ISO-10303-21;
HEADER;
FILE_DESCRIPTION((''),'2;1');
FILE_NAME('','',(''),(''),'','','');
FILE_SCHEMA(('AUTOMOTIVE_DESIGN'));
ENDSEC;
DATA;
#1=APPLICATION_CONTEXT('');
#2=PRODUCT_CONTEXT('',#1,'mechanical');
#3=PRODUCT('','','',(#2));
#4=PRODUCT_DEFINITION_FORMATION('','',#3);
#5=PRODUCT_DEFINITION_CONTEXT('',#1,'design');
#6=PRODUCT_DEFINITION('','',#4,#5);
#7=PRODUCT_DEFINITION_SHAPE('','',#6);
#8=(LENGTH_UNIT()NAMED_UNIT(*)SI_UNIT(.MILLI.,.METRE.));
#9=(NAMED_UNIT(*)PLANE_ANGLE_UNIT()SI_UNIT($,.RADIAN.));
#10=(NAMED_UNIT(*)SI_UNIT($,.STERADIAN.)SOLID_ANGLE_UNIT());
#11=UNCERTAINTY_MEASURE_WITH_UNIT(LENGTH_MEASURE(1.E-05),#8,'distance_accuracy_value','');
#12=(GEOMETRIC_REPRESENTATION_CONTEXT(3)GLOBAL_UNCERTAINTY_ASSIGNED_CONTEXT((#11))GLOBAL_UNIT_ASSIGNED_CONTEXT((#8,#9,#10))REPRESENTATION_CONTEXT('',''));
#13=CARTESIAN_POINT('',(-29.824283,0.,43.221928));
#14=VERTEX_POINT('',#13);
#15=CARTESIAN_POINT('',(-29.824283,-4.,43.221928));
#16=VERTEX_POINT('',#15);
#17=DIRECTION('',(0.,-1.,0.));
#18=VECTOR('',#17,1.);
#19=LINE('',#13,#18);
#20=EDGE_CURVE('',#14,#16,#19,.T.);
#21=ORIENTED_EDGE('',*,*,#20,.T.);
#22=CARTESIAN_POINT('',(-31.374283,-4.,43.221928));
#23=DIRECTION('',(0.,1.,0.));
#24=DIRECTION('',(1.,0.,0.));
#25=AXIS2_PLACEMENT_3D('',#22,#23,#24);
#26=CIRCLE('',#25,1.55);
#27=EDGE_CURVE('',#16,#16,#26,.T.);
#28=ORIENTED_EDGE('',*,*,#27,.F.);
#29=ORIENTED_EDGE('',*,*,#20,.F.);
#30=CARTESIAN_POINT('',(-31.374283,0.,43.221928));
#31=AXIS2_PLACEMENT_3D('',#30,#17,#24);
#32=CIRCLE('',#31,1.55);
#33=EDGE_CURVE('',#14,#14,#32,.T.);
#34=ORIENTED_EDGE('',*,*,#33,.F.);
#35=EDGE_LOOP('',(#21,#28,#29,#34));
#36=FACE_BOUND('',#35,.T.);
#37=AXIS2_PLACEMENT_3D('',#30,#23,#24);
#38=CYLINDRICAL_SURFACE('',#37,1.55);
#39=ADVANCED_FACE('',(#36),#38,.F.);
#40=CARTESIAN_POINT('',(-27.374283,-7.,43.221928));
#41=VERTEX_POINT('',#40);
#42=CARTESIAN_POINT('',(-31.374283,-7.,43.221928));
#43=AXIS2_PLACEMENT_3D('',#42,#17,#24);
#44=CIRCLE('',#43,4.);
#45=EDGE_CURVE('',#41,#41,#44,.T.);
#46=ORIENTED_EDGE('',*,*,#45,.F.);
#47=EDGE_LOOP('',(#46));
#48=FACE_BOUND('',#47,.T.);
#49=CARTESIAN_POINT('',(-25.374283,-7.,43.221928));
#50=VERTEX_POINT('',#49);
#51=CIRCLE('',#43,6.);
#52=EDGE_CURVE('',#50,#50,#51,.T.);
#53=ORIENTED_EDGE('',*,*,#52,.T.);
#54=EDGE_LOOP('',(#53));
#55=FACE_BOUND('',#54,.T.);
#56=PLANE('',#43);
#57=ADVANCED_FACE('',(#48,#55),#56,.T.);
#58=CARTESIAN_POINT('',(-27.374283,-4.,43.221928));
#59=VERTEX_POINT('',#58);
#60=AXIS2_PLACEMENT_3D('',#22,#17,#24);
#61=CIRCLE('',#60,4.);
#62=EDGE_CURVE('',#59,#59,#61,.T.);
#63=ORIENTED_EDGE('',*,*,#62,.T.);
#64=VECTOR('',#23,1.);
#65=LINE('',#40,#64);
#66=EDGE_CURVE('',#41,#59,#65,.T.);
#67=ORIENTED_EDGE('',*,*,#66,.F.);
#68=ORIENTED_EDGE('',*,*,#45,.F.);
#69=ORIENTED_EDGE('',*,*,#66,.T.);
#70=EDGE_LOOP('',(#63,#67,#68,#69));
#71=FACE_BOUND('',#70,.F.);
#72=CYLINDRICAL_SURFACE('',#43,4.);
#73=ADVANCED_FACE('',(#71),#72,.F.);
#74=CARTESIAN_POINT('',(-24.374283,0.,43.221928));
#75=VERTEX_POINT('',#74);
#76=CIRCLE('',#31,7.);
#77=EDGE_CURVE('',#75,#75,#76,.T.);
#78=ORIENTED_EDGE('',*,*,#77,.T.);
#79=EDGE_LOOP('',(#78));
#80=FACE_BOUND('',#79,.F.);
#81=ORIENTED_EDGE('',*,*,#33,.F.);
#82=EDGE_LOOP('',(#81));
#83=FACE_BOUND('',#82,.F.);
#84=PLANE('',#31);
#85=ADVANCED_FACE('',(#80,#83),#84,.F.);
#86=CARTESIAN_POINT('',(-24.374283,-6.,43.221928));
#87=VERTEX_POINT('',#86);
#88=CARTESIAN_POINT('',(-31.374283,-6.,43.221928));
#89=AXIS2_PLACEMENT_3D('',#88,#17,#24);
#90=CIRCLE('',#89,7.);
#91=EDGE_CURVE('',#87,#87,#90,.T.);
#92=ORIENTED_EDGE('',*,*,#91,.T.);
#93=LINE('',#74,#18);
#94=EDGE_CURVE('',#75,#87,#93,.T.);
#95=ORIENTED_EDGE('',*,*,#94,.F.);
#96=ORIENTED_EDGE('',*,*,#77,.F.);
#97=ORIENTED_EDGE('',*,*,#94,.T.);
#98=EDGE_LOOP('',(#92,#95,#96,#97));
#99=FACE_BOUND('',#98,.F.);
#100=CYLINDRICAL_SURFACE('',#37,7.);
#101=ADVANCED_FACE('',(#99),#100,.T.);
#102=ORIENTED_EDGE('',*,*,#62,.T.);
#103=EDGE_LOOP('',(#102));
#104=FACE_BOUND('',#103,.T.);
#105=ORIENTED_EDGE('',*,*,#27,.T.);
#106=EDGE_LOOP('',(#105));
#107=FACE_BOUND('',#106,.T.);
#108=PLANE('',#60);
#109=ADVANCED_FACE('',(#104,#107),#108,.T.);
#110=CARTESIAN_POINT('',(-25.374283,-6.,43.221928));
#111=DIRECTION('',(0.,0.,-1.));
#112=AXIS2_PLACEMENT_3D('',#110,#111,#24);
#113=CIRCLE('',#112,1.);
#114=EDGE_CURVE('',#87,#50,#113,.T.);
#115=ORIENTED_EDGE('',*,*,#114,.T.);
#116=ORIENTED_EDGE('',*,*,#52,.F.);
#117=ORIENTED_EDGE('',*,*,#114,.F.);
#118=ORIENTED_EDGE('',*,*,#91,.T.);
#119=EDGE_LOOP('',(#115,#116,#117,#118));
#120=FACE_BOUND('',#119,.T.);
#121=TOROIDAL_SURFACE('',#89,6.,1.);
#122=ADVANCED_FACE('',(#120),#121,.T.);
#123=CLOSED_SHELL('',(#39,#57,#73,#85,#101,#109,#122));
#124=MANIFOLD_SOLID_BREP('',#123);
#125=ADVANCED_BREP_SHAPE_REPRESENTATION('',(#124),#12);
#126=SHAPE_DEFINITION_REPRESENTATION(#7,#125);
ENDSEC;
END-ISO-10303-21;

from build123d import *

# Parameters (mm, degrees)
F0_R     = 7
F0_R_2   = 1.55
F1_DEPTH = 7
F2_R     = 1
F3_R     = 4
F4_DEPTH = 3


with BuildPart() as f1:
    # F0 (on Front) → F1 (new body)
    with BuildSketch(Plane.XZ):
        with Locations((-31.374283, 43.221928)):
            Circle(F0_R)
        with Locations((-31.374283, 43.221928)):
            Circle(F0_R_2, mode=Mode.SUBTRACT)
    extrude(amount=F1_DEPTH)

    # F2
    f2_edges = [f1.edges().sort_by_distance(p)[0] for p in [
        (-38.374283, -7, 43.221928),
    ]]
    fillet(f2_edges, radius=F2_R)

    # F3 (on face) → F4 (cut)
    with BuildSketch(Plane.XZ.offset(7)):
        with Locations((-31.374283, 43.221928)):
            Circle(F3_R)
    extrude(amount=-F4_DEPTH, mode=Mode.SUBTRACT)


solid = f1.part
